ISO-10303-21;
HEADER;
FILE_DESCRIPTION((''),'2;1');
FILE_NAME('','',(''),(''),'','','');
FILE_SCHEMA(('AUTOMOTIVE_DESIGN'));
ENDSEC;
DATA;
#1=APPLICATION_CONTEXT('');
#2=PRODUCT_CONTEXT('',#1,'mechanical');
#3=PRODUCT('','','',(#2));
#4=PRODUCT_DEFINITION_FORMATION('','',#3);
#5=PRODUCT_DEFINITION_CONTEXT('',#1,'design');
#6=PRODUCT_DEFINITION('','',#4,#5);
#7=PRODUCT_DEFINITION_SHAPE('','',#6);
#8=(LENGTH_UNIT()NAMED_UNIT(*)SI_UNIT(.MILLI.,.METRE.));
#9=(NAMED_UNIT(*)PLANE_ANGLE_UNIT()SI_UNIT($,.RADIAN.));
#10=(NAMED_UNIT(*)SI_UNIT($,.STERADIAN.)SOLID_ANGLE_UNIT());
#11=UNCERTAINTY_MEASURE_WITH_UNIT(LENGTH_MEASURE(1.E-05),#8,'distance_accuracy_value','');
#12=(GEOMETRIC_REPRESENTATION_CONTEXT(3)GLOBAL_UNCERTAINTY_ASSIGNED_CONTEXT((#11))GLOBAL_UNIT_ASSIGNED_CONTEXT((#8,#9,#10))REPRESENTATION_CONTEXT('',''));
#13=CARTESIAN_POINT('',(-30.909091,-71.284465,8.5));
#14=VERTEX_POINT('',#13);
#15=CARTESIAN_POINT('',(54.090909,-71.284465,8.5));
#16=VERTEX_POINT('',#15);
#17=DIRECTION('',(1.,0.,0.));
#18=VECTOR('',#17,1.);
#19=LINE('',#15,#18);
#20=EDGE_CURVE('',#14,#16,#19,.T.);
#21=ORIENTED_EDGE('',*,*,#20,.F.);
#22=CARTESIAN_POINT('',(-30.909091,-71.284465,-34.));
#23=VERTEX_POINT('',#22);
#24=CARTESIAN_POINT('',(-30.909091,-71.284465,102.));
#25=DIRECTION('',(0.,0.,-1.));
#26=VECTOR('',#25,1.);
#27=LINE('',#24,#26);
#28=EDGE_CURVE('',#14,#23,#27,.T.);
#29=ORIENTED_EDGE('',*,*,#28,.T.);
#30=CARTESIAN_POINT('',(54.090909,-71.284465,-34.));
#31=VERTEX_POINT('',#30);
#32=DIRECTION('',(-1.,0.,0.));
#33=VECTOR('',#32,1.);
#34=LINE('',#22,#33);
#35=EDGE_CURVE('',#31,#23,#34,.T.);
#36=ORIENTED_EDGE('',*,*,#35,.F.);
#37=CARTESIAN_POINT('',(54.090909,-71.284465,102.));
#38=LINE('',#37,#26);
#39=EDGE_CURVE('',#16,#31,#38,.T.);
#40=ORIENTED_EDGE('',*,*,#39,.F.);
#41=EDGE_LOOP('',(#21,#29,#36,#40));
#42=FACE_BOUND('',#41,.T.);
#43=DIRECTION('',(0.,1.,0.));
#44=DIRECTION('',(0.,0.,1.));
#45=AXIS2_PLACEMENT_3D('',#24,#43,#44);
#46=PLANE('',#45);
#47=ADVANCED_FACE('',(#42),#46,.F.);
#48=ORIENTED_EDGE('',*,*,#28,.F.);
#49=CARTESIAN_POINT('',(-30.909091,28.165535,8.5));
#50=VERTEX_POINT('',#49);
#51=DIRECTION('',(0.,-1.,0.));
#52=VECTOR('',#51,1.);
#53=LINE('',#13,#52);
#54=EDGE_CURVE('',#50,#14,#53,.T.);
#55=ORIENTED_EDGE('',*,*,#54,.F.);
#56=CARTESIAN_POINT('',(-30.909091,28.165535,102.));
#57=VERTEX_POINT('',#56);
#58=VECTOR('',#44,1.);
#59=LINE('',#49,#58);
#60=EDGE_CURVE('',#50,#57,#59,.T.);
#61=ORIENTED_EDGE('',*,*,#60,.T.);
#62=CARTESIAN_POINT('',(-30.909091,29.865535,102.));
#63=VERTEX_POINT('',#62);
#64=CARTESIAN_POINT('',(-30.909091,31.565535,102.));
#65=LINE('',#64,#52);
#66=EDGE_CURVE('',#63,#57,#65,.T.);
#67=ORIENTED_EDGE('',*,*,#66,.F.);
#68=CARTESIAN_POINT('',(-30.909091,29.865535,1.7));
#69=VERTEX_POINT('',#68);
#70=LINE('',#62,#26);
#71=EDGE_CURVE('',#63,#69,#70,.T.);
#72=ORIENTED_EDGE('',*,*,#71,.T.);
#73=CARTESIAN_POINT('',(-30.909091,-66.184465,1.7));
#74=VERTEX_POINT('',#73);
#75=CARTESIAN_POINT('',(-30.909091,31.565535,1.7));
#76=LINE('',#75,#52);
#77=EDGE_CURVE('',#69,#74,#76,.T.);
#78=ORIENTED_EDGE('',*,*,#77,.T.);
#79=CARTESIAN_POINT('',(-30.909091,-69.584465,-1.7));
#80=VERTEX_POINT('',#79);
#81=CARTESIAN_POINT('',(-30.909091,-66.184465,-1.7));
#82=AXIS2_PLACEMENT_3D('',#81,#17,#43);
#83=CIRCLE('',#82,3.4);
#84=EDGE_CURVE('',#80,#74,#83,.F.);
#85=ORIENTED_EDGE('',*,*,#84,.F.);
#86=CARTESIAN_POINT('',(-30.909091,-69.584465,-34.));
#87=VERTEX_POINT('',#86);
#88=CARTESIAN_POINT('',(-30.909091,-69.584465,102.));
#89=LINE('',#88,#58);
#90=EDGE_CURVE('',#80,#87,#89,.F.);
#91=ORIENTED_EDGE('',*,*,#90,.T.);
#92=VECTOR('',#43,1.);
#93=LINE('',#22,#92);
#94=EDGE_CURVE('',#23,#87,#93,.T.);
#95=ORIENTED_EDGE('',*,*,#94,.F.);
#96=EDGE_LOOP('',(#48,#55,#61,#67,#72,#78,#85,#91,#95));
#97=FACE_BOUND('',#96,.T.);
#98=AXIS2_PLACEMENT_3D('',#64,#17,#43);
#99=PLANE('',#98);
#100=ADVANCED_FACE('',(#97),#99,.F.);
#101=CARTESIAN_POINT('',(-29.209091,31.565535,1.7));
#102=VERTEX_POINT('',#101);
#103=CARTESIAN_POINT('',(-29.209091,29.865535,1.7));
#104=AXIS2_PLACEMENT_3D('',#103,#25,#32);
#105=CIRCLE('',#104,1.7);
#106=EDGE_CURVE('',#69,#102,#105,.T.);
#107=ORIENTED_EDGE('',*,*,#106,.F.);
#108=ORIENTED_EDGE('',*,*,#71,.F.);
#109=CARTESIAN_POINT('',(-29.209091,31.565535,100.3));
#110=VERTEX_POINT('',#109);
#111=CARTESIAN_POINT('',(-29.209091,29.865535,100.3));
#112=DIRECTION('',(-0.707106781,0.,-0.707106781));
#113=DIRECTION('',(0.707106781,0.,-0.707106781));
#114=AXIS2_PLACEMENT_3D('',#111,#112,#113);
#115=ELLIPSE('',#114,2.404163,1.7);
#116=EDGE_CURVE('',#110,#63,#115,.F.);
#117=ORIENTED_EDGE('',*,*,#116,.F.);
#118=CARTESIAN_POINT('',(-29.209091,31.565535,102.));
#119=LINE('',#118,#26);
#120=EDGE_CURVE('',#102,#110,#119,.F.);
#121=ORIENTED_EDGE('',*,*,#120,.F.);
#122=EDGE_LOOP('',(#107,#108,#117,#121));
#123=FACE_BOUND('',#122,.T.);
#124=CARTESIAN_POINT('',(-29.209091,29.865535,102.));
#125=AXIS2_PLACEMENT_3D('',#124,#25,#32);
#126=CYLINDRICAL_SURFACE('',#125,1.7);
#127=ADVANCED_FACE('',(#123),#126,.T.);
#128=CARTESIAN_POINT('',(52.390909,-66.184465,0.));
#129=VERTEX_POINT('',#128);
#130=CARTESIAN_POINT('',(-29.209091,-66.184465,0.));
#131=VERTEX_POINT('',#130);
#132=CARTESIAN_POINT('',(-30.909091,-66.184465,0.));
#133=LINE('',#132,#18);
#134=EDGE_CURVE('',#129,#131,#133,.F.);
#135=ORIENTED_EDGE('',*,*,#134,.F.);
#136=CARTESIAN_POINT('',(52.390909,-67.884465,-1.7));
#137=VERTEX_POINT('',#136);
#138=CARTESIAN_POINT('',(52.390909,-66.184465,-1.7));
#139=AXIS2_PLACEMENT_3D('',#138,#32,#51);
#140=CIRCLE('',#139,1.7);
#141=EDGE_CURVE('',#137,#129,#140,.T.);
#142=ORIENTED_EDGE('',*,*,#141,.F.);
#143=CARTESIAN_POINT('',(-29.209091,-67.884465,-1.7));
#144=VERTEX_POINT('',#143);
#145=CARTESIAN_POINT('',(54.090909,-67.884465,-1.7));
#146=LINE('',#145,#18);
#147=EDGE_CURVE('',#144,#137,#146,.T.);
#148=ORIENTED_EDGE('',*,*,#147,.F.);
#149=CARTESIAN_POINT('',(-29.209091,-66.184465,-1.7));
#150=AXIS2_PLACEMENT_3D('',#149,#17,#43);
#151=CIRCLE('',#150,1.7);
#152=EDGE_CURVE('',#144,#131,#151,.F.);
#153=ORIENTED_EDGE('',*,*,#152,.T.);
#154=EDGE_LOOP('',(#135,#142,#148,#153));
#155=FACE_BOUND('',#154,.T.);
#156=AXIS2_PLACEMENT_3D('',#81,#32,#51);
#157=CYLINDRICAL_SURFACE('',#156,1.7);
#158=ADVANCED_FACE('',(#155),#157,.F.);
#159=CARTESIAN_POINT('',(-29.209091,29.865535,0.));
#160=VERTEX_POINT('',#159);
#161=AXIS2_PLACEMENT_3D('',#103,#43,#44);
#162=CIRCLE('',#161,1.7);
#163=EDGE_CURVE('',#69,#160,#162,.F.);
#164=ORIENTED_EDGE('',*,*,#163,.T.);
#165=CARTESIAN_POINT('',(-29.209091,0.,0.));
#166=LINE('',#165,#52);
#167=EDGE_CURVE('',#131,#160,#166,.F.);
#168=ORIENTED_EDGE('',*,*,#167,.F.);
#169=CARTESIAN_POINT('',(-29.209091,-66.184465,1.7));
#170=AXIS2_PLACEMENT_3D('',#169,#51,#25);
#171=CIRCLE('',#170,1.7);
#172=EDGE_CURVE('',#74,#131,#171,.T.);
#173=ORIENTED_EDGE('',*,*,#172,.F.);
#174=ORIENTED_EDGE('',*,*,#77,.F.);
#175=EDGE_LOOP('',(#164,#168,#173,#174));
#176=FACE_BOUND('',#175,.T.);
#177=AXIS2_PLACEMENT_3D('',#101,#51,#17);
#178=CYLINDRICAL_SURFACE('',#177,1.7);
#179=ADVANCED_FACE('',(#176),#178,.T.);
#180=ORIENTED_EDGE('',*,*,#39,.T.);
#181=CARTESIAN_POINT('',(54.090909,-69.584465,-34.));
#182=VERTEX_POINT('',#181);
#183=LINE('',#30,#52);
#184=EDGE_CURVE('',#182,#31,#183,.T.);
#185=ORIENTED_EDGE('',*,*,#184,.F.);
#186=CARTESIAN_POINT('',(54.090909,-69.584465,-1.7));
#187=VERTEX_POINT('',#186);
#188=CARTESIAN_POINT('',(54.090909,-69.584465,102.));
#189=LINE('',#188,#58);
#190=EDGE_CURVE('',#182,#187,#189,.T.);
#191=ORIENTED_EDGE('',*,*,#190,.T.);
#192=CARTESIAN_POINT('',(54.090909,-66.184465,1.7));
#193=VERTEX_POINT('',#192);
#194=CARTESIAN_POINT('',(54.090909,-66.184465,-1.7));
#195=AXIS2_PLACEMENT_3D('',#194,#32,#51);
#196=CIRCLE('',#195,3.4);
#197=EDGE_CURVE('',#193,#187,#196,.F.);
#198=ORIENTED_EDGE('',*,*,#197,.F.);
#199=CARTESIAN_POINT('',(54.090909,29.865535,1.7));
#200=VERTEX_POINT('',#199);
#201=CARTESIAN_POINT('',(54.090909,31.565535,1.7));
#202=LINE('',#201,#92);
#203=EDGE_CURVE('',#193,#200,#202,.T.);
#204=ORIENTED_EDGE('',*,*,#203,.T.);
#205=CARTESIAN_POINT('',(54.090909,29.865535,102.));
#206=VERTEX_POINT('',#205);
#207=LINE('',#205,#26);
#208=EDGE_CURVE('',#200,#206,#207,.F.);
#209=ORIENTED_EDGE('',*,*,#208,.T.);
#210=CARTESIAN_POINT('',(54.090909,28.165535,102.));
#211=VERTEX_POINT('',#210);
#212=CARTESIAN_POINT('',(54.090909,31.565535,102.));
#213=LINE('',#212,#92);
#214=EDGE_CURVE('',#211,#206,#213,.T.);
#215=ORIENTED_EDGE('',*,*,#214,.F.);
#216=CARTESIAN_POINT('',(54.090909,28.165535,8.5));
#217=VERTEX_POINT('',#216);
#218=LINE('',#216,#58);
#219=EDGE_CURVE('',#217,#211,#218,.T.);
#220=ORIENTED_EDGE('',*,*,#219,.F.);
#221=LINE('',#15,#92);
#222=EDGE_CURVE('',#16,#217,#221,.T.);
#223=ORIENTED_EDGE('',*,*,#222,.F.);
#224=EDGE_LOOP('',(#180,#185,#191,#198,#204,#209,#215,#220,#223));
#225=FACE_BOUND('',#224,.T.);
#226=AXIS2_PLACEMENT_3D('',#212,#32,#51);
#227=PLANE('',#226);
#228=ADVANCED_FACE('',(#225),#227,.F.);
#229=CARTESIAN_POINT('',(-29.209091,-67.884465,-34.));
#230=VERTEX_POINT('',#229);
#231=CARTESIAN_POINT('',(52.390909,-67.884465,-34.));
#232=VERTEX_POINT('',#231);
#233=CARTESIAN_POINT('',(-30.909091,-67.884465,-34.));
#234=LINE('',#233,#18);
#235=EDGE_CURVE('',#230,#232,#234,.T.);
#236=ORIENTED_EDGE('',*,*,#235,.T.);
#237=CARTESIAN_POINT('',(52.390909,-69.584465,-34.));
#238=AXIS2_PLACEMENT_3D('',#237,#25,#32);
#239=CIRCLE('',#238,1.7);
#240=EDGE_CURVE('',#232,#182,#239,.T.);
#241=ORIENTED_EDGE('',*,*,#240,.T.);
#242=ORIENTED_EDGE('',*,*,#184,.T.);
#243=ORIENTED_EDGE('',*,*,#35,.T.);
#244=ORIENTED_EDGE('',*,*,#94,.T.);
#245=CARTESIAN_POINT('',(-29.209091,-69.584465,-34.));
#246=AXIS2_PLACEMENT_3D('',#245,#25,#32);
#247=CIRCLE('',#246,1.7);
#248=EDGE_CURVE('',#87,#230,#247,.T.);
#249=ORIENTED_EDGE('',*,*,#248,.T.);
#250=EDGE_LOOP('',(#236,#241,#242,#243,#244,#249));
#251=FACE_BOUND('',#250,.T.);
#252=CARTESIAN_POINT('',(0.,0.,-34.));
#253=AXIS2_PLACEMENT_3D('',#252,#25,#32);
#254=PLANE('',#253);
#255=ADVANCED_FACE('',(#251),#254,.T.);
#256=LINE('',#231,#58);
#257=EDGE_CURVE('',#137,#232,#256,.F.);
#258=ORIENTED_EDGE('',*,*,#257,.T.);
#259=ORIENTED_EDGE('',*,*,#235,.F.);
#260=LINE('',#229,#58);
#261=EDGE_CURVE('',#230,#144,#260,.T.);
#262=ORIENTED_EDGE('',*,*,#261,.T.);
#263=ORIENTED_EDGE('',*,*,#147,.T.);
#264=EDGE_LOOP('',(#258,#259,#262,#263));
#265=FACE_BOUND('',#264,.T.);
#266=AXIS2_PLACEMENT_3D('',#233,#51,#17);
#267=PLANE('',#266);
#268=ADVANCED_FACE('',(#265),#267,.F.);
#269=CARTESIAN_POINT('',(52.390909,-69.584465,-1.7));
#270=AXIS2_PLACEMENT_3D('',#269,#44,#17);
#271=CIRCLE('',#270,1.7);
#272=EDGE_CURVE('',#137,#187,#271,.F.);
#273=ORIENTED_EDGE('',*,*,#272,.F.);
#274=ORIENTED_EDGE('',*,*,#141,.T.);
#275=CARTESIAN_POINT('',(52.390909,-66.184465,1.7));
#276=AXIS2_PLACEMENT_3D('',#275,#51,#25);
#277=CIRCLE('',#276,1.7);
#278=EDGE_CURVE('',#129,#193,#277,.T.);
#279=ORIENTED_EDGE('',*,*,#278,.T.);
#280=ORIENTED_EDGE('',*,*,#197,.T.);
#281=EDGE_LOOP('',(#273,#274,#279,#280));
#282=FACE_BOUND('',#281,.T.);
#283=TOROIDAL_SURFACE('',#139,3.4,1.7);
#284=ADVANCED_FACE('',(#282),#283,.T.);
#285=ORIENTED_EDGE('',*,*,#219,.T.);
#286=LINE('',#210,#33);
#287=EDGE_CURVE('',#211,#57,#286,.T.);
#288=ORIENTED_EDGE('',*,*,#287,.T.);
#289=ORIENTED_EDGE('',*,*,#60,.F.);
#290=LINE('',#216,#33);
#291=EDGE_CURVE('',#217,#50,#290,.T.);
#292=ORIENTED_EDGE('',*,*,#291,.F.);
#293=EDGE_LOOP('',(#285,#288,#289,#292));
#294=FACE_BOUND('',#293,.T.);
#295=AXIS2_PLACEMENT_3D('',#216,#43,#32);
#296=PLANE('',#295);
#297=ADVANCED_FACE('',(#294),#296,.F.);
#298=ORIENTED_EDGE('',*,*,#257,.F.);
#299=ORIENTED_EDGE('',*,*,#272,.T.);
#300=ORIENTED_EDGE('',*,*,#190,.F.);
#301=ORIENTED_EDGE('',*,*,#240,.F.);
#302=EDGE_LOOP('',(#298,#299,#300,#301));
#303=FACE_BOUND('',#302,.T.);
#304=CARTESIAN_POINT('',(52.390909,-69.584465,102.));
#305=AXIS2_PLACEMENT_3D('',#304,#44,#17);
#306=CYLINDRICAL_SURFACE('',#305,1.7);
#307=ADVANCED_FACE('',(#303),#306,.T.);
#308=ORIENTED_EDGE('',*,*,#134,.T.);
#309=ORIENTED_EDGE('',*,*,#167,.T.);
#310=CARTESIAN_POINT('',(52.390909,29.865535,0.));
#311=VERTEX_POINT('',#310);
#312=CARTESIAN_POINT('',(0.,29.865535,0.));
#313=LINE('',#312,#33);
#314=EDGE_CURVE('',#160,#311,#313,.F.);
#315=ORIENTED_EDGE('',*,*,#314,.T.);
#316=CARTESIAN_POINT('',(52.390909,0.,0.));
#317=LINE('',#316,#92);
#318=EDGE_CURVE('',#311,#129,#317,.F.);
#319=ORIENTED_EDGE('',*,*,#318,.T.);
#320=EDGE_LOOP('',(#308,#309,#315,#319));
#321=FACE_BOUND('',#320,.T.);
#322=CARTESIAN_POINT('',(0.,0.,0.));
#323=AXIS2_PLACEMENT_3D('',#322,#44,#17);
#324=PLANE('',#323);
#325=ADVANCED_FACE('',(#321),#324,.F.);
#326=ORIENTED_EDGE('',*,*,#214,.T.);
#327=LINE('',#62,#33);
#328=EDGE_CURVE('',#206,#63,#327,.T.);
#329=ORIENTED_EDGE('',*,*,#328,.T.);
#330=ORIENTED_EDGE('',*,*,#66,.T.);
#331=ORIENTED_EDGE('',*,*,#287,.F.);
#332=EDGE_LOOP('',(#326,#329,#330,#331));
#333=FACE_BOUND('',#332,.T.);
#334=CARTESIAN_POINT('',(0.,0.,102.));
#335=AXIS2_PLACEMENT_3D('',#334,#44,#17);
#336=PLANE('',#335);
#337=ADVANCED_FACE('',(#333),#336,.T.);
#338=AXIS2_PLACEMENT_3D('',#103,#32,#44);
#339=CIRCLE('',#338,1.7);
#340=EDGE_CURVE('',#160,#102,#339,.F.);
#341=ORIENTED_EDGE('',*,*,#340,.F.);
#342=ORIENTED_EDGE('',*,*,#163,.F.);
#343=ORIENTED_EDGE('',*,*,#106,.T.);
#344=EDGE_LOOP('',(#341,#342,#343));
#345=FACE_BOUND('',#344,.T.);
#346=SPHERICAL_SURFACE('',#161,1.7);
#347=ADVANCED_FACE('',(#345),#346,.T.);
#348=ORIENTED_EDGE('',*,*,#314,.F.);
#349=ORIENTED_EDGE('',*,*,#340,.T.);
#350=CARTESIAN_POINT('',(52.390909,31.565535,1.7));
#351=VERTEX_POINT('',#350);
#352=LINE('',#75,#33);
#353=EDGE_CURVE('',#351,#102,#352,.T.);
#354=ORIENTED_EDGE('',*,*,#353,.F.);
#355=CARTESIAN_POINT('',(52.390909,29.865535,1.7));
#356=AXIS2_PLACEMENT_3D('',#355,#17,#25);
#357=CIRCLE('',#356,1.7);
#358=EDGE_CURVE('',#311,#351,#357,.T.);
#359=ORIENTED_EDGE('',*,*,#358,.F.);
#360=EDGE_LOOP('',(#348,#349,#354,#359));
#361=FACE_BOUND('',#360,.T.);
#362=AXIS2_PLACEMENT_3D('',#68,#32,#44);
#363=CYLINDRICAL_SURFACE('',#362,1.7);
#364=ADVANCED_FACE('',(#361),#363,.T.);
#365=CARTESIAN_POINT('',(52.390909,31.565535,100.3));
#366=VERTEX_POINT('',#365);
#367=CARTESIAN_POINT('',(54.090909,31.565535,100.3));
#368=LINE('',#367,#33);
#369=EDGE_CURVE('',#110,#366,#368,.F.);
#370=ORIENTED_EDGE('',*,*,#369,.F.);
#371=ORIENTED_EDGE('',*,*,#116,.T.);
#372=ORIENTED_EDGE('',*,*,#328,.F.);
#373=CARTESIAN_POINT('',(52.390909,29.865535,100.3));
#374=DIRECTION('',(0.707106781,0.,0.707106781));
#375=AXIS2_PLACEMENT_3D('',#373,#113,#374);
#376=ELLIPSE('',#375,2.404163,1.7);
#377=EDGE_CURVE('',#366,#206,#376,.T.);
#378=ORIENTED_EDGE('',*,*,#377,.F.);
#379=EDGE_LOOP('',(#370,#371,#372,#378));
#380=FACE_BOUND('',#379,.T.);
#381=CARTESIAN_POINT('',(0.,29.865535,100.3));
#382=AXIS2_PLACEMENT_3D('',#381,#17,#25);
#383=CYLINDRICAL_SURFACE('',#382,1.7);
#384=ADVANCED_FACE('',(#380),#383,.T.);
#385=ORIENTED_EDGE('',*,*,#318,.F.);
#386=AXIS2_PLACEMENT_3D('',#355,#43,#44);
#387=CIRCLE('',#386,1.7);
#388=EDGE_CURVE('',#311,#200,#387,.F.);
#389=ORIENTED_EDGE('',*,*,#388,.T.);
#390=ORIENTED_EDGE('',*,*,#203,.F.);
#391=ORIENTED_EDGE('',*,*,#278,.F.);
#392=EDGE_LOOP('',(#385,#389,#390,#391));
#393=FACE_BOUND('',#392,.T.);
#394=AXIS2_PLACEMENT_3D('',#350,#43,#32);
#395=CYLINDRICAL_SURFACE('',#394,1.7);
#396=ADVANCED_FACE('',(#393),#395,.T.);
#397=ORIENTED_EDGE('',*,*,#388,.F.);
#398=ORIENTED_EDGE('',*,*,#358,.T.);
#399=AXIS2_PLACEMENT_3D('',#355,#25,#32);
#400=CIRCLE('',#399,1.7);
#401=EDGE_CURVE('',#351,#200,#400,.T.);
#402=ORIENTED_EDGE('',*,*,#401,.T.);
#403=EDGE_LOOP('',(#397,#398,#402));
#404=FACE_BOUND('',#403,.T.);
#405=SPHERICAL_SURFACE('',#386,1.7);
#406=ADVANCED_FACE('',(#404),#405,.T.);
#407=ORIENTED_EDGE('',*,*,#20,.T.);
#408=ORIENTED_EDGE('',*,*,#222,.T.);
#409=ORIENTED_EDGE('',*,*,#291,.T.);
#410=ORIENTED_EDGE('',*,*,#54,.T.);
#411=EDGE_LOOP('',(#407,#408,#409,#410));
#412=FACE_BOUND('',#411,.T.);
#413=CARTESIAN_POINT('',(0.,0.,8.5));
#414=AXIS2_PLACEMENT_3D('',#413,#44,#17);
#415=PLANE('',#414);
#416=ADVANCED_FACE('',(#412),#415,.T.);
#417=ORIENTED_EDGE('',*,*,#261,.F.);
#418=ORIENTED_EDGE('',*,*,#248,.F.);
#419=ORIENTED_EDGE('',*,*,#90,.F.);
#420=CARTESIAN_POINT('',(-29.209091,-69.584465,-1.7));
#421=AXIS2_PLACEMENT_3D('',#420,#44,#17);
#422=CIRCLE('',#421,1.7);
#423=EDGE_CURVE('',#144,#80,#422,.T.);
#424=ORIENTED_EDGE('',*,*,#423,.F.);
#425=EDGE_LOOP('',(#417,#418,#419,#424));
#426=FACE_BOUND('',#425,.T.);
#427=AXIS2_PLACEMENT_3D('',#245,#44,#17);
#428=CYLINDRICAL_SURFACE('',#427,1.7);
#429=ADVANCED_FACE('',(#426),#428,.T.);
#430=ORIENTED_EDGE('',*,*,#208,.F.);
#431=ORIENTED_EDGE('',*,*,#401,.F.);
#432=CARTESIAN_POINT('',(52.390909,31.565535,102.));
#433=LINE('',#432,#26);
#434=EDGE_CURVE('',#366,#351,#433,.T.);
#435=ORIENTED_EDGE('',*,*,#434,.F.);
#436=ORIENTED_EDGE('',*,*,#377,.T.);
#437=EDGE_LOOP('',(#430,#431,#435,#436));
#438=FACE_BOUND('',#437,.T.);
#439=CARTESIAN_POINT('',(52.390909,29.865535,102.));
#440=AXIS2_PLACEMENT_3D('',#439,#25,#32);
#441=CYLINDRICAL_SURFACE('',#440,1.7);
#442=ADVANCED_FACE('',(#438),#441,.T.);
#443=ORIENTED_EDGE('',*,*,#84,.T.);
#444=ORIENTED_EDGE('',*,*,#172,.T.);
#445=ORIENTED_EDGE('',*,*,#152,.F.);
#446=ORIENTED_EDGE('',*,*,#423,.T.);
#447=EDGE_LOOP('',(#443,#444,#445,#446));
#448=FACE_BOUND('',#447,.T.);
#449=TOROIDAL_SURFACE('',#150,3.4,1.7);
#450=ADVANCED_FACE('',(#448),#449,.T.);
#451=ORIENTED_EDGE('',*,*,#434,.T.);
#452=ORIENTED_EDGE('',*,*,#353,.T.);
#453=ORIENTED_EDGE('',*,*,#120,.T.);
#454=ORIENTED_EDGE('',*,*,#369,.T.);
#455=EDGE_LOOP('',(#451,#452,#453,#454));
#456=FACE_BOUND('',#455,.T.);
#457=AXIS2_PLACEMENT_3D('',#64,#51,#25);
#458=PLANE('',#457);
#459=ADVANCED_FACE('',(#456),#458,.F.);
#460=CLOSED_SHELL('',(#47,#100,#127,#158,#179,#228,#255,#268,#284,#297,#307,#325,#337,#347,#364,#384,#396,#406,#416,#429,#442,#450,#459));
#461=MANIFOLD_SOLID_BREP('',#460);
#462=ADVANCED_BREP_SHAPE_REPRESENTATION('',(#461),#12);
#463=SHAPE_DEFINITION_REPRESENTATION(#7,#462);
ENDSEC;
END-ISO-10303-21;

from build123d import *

# Parameters (mm, degrees)
SKETCH_1_W          = 50
SKETCH_1_H          = 60.5
EXTRUDE_1_DEPTH     = 60
SKETCH_3_W          = 50
SKETCH_3_H          = 58.5
CUT_EXTRUDE_1_DEPTH = 55
SKETCH_4_W          = 50
SKETCH_4_H          = 2
EXTRUDE_2_DEPTH     = 20
FILLET_5_R          = 1
SCALE_1_SCALE       = 1.7


with BuildPart() as part:
    # 草图1 → 凸台-拉伸1 (new body)
    with BuildSketch(Plane.XY):
        with Locations((6.818181818, -11.682037969)):
            Rectangle(SKETCH_1_W, SKETCH_1_H)
    extrude(amount=EXTRUDE_1_DEPTH)

    # 草图3 → 切除-拉伸1 (cut)
    with BuildSketch(Plane.XY.offset(60)):
        with Locations((6.818181818, -12.682037969)):
            Rectangle(SKETCH_3_W, SKETCH_3_H)
    extrude(amount=-CUT_EXTRUDE_1_DEPTH, mode=Mode.SUBTRACT)

    # 草图4 → 凸台-拉伸2 (add)
    with BuildSketch(Plane(origin=(0, 0, 0), x_dir=(-1, 0, 0), z_dir=(0, 0, -1))):
        with Locations((-6.818181818, -40.932037969)):
            Rectangle(SKETCH_4_W, SKETCH_4_H)
    extrude(amount=EXTRUDE_2_DEPTH)

    # 圆角5
    fillet_5_edges = [part.edges().sort_by_distance(p)[0] for p in [
        (6.818181818, 18.567962031, 60),
        (31.818181818, -10.682037969, 0),
        (6.818181818, -39.932037969, 0),
        (-18.181818182, -39.932037969, -10),
        (31.818181818, -39.932037969, -10),
        (6.818181818, 18.567962031, 0),
        (-18.181818182, -10.682037969, 0),
        (-18.181818182, 18.567962031, 30),
        (31.818181818, 18.567962031, 30),
    ]]
    fillet(fillet_5_edges, radius=FILLET_5_R)


with BuildPart() as part_1:
    # 缩放比例1: scaled about (0, 0, 0)
    add(part.part.scale(SCALE_1_SCALE))


solid = part_1.part
